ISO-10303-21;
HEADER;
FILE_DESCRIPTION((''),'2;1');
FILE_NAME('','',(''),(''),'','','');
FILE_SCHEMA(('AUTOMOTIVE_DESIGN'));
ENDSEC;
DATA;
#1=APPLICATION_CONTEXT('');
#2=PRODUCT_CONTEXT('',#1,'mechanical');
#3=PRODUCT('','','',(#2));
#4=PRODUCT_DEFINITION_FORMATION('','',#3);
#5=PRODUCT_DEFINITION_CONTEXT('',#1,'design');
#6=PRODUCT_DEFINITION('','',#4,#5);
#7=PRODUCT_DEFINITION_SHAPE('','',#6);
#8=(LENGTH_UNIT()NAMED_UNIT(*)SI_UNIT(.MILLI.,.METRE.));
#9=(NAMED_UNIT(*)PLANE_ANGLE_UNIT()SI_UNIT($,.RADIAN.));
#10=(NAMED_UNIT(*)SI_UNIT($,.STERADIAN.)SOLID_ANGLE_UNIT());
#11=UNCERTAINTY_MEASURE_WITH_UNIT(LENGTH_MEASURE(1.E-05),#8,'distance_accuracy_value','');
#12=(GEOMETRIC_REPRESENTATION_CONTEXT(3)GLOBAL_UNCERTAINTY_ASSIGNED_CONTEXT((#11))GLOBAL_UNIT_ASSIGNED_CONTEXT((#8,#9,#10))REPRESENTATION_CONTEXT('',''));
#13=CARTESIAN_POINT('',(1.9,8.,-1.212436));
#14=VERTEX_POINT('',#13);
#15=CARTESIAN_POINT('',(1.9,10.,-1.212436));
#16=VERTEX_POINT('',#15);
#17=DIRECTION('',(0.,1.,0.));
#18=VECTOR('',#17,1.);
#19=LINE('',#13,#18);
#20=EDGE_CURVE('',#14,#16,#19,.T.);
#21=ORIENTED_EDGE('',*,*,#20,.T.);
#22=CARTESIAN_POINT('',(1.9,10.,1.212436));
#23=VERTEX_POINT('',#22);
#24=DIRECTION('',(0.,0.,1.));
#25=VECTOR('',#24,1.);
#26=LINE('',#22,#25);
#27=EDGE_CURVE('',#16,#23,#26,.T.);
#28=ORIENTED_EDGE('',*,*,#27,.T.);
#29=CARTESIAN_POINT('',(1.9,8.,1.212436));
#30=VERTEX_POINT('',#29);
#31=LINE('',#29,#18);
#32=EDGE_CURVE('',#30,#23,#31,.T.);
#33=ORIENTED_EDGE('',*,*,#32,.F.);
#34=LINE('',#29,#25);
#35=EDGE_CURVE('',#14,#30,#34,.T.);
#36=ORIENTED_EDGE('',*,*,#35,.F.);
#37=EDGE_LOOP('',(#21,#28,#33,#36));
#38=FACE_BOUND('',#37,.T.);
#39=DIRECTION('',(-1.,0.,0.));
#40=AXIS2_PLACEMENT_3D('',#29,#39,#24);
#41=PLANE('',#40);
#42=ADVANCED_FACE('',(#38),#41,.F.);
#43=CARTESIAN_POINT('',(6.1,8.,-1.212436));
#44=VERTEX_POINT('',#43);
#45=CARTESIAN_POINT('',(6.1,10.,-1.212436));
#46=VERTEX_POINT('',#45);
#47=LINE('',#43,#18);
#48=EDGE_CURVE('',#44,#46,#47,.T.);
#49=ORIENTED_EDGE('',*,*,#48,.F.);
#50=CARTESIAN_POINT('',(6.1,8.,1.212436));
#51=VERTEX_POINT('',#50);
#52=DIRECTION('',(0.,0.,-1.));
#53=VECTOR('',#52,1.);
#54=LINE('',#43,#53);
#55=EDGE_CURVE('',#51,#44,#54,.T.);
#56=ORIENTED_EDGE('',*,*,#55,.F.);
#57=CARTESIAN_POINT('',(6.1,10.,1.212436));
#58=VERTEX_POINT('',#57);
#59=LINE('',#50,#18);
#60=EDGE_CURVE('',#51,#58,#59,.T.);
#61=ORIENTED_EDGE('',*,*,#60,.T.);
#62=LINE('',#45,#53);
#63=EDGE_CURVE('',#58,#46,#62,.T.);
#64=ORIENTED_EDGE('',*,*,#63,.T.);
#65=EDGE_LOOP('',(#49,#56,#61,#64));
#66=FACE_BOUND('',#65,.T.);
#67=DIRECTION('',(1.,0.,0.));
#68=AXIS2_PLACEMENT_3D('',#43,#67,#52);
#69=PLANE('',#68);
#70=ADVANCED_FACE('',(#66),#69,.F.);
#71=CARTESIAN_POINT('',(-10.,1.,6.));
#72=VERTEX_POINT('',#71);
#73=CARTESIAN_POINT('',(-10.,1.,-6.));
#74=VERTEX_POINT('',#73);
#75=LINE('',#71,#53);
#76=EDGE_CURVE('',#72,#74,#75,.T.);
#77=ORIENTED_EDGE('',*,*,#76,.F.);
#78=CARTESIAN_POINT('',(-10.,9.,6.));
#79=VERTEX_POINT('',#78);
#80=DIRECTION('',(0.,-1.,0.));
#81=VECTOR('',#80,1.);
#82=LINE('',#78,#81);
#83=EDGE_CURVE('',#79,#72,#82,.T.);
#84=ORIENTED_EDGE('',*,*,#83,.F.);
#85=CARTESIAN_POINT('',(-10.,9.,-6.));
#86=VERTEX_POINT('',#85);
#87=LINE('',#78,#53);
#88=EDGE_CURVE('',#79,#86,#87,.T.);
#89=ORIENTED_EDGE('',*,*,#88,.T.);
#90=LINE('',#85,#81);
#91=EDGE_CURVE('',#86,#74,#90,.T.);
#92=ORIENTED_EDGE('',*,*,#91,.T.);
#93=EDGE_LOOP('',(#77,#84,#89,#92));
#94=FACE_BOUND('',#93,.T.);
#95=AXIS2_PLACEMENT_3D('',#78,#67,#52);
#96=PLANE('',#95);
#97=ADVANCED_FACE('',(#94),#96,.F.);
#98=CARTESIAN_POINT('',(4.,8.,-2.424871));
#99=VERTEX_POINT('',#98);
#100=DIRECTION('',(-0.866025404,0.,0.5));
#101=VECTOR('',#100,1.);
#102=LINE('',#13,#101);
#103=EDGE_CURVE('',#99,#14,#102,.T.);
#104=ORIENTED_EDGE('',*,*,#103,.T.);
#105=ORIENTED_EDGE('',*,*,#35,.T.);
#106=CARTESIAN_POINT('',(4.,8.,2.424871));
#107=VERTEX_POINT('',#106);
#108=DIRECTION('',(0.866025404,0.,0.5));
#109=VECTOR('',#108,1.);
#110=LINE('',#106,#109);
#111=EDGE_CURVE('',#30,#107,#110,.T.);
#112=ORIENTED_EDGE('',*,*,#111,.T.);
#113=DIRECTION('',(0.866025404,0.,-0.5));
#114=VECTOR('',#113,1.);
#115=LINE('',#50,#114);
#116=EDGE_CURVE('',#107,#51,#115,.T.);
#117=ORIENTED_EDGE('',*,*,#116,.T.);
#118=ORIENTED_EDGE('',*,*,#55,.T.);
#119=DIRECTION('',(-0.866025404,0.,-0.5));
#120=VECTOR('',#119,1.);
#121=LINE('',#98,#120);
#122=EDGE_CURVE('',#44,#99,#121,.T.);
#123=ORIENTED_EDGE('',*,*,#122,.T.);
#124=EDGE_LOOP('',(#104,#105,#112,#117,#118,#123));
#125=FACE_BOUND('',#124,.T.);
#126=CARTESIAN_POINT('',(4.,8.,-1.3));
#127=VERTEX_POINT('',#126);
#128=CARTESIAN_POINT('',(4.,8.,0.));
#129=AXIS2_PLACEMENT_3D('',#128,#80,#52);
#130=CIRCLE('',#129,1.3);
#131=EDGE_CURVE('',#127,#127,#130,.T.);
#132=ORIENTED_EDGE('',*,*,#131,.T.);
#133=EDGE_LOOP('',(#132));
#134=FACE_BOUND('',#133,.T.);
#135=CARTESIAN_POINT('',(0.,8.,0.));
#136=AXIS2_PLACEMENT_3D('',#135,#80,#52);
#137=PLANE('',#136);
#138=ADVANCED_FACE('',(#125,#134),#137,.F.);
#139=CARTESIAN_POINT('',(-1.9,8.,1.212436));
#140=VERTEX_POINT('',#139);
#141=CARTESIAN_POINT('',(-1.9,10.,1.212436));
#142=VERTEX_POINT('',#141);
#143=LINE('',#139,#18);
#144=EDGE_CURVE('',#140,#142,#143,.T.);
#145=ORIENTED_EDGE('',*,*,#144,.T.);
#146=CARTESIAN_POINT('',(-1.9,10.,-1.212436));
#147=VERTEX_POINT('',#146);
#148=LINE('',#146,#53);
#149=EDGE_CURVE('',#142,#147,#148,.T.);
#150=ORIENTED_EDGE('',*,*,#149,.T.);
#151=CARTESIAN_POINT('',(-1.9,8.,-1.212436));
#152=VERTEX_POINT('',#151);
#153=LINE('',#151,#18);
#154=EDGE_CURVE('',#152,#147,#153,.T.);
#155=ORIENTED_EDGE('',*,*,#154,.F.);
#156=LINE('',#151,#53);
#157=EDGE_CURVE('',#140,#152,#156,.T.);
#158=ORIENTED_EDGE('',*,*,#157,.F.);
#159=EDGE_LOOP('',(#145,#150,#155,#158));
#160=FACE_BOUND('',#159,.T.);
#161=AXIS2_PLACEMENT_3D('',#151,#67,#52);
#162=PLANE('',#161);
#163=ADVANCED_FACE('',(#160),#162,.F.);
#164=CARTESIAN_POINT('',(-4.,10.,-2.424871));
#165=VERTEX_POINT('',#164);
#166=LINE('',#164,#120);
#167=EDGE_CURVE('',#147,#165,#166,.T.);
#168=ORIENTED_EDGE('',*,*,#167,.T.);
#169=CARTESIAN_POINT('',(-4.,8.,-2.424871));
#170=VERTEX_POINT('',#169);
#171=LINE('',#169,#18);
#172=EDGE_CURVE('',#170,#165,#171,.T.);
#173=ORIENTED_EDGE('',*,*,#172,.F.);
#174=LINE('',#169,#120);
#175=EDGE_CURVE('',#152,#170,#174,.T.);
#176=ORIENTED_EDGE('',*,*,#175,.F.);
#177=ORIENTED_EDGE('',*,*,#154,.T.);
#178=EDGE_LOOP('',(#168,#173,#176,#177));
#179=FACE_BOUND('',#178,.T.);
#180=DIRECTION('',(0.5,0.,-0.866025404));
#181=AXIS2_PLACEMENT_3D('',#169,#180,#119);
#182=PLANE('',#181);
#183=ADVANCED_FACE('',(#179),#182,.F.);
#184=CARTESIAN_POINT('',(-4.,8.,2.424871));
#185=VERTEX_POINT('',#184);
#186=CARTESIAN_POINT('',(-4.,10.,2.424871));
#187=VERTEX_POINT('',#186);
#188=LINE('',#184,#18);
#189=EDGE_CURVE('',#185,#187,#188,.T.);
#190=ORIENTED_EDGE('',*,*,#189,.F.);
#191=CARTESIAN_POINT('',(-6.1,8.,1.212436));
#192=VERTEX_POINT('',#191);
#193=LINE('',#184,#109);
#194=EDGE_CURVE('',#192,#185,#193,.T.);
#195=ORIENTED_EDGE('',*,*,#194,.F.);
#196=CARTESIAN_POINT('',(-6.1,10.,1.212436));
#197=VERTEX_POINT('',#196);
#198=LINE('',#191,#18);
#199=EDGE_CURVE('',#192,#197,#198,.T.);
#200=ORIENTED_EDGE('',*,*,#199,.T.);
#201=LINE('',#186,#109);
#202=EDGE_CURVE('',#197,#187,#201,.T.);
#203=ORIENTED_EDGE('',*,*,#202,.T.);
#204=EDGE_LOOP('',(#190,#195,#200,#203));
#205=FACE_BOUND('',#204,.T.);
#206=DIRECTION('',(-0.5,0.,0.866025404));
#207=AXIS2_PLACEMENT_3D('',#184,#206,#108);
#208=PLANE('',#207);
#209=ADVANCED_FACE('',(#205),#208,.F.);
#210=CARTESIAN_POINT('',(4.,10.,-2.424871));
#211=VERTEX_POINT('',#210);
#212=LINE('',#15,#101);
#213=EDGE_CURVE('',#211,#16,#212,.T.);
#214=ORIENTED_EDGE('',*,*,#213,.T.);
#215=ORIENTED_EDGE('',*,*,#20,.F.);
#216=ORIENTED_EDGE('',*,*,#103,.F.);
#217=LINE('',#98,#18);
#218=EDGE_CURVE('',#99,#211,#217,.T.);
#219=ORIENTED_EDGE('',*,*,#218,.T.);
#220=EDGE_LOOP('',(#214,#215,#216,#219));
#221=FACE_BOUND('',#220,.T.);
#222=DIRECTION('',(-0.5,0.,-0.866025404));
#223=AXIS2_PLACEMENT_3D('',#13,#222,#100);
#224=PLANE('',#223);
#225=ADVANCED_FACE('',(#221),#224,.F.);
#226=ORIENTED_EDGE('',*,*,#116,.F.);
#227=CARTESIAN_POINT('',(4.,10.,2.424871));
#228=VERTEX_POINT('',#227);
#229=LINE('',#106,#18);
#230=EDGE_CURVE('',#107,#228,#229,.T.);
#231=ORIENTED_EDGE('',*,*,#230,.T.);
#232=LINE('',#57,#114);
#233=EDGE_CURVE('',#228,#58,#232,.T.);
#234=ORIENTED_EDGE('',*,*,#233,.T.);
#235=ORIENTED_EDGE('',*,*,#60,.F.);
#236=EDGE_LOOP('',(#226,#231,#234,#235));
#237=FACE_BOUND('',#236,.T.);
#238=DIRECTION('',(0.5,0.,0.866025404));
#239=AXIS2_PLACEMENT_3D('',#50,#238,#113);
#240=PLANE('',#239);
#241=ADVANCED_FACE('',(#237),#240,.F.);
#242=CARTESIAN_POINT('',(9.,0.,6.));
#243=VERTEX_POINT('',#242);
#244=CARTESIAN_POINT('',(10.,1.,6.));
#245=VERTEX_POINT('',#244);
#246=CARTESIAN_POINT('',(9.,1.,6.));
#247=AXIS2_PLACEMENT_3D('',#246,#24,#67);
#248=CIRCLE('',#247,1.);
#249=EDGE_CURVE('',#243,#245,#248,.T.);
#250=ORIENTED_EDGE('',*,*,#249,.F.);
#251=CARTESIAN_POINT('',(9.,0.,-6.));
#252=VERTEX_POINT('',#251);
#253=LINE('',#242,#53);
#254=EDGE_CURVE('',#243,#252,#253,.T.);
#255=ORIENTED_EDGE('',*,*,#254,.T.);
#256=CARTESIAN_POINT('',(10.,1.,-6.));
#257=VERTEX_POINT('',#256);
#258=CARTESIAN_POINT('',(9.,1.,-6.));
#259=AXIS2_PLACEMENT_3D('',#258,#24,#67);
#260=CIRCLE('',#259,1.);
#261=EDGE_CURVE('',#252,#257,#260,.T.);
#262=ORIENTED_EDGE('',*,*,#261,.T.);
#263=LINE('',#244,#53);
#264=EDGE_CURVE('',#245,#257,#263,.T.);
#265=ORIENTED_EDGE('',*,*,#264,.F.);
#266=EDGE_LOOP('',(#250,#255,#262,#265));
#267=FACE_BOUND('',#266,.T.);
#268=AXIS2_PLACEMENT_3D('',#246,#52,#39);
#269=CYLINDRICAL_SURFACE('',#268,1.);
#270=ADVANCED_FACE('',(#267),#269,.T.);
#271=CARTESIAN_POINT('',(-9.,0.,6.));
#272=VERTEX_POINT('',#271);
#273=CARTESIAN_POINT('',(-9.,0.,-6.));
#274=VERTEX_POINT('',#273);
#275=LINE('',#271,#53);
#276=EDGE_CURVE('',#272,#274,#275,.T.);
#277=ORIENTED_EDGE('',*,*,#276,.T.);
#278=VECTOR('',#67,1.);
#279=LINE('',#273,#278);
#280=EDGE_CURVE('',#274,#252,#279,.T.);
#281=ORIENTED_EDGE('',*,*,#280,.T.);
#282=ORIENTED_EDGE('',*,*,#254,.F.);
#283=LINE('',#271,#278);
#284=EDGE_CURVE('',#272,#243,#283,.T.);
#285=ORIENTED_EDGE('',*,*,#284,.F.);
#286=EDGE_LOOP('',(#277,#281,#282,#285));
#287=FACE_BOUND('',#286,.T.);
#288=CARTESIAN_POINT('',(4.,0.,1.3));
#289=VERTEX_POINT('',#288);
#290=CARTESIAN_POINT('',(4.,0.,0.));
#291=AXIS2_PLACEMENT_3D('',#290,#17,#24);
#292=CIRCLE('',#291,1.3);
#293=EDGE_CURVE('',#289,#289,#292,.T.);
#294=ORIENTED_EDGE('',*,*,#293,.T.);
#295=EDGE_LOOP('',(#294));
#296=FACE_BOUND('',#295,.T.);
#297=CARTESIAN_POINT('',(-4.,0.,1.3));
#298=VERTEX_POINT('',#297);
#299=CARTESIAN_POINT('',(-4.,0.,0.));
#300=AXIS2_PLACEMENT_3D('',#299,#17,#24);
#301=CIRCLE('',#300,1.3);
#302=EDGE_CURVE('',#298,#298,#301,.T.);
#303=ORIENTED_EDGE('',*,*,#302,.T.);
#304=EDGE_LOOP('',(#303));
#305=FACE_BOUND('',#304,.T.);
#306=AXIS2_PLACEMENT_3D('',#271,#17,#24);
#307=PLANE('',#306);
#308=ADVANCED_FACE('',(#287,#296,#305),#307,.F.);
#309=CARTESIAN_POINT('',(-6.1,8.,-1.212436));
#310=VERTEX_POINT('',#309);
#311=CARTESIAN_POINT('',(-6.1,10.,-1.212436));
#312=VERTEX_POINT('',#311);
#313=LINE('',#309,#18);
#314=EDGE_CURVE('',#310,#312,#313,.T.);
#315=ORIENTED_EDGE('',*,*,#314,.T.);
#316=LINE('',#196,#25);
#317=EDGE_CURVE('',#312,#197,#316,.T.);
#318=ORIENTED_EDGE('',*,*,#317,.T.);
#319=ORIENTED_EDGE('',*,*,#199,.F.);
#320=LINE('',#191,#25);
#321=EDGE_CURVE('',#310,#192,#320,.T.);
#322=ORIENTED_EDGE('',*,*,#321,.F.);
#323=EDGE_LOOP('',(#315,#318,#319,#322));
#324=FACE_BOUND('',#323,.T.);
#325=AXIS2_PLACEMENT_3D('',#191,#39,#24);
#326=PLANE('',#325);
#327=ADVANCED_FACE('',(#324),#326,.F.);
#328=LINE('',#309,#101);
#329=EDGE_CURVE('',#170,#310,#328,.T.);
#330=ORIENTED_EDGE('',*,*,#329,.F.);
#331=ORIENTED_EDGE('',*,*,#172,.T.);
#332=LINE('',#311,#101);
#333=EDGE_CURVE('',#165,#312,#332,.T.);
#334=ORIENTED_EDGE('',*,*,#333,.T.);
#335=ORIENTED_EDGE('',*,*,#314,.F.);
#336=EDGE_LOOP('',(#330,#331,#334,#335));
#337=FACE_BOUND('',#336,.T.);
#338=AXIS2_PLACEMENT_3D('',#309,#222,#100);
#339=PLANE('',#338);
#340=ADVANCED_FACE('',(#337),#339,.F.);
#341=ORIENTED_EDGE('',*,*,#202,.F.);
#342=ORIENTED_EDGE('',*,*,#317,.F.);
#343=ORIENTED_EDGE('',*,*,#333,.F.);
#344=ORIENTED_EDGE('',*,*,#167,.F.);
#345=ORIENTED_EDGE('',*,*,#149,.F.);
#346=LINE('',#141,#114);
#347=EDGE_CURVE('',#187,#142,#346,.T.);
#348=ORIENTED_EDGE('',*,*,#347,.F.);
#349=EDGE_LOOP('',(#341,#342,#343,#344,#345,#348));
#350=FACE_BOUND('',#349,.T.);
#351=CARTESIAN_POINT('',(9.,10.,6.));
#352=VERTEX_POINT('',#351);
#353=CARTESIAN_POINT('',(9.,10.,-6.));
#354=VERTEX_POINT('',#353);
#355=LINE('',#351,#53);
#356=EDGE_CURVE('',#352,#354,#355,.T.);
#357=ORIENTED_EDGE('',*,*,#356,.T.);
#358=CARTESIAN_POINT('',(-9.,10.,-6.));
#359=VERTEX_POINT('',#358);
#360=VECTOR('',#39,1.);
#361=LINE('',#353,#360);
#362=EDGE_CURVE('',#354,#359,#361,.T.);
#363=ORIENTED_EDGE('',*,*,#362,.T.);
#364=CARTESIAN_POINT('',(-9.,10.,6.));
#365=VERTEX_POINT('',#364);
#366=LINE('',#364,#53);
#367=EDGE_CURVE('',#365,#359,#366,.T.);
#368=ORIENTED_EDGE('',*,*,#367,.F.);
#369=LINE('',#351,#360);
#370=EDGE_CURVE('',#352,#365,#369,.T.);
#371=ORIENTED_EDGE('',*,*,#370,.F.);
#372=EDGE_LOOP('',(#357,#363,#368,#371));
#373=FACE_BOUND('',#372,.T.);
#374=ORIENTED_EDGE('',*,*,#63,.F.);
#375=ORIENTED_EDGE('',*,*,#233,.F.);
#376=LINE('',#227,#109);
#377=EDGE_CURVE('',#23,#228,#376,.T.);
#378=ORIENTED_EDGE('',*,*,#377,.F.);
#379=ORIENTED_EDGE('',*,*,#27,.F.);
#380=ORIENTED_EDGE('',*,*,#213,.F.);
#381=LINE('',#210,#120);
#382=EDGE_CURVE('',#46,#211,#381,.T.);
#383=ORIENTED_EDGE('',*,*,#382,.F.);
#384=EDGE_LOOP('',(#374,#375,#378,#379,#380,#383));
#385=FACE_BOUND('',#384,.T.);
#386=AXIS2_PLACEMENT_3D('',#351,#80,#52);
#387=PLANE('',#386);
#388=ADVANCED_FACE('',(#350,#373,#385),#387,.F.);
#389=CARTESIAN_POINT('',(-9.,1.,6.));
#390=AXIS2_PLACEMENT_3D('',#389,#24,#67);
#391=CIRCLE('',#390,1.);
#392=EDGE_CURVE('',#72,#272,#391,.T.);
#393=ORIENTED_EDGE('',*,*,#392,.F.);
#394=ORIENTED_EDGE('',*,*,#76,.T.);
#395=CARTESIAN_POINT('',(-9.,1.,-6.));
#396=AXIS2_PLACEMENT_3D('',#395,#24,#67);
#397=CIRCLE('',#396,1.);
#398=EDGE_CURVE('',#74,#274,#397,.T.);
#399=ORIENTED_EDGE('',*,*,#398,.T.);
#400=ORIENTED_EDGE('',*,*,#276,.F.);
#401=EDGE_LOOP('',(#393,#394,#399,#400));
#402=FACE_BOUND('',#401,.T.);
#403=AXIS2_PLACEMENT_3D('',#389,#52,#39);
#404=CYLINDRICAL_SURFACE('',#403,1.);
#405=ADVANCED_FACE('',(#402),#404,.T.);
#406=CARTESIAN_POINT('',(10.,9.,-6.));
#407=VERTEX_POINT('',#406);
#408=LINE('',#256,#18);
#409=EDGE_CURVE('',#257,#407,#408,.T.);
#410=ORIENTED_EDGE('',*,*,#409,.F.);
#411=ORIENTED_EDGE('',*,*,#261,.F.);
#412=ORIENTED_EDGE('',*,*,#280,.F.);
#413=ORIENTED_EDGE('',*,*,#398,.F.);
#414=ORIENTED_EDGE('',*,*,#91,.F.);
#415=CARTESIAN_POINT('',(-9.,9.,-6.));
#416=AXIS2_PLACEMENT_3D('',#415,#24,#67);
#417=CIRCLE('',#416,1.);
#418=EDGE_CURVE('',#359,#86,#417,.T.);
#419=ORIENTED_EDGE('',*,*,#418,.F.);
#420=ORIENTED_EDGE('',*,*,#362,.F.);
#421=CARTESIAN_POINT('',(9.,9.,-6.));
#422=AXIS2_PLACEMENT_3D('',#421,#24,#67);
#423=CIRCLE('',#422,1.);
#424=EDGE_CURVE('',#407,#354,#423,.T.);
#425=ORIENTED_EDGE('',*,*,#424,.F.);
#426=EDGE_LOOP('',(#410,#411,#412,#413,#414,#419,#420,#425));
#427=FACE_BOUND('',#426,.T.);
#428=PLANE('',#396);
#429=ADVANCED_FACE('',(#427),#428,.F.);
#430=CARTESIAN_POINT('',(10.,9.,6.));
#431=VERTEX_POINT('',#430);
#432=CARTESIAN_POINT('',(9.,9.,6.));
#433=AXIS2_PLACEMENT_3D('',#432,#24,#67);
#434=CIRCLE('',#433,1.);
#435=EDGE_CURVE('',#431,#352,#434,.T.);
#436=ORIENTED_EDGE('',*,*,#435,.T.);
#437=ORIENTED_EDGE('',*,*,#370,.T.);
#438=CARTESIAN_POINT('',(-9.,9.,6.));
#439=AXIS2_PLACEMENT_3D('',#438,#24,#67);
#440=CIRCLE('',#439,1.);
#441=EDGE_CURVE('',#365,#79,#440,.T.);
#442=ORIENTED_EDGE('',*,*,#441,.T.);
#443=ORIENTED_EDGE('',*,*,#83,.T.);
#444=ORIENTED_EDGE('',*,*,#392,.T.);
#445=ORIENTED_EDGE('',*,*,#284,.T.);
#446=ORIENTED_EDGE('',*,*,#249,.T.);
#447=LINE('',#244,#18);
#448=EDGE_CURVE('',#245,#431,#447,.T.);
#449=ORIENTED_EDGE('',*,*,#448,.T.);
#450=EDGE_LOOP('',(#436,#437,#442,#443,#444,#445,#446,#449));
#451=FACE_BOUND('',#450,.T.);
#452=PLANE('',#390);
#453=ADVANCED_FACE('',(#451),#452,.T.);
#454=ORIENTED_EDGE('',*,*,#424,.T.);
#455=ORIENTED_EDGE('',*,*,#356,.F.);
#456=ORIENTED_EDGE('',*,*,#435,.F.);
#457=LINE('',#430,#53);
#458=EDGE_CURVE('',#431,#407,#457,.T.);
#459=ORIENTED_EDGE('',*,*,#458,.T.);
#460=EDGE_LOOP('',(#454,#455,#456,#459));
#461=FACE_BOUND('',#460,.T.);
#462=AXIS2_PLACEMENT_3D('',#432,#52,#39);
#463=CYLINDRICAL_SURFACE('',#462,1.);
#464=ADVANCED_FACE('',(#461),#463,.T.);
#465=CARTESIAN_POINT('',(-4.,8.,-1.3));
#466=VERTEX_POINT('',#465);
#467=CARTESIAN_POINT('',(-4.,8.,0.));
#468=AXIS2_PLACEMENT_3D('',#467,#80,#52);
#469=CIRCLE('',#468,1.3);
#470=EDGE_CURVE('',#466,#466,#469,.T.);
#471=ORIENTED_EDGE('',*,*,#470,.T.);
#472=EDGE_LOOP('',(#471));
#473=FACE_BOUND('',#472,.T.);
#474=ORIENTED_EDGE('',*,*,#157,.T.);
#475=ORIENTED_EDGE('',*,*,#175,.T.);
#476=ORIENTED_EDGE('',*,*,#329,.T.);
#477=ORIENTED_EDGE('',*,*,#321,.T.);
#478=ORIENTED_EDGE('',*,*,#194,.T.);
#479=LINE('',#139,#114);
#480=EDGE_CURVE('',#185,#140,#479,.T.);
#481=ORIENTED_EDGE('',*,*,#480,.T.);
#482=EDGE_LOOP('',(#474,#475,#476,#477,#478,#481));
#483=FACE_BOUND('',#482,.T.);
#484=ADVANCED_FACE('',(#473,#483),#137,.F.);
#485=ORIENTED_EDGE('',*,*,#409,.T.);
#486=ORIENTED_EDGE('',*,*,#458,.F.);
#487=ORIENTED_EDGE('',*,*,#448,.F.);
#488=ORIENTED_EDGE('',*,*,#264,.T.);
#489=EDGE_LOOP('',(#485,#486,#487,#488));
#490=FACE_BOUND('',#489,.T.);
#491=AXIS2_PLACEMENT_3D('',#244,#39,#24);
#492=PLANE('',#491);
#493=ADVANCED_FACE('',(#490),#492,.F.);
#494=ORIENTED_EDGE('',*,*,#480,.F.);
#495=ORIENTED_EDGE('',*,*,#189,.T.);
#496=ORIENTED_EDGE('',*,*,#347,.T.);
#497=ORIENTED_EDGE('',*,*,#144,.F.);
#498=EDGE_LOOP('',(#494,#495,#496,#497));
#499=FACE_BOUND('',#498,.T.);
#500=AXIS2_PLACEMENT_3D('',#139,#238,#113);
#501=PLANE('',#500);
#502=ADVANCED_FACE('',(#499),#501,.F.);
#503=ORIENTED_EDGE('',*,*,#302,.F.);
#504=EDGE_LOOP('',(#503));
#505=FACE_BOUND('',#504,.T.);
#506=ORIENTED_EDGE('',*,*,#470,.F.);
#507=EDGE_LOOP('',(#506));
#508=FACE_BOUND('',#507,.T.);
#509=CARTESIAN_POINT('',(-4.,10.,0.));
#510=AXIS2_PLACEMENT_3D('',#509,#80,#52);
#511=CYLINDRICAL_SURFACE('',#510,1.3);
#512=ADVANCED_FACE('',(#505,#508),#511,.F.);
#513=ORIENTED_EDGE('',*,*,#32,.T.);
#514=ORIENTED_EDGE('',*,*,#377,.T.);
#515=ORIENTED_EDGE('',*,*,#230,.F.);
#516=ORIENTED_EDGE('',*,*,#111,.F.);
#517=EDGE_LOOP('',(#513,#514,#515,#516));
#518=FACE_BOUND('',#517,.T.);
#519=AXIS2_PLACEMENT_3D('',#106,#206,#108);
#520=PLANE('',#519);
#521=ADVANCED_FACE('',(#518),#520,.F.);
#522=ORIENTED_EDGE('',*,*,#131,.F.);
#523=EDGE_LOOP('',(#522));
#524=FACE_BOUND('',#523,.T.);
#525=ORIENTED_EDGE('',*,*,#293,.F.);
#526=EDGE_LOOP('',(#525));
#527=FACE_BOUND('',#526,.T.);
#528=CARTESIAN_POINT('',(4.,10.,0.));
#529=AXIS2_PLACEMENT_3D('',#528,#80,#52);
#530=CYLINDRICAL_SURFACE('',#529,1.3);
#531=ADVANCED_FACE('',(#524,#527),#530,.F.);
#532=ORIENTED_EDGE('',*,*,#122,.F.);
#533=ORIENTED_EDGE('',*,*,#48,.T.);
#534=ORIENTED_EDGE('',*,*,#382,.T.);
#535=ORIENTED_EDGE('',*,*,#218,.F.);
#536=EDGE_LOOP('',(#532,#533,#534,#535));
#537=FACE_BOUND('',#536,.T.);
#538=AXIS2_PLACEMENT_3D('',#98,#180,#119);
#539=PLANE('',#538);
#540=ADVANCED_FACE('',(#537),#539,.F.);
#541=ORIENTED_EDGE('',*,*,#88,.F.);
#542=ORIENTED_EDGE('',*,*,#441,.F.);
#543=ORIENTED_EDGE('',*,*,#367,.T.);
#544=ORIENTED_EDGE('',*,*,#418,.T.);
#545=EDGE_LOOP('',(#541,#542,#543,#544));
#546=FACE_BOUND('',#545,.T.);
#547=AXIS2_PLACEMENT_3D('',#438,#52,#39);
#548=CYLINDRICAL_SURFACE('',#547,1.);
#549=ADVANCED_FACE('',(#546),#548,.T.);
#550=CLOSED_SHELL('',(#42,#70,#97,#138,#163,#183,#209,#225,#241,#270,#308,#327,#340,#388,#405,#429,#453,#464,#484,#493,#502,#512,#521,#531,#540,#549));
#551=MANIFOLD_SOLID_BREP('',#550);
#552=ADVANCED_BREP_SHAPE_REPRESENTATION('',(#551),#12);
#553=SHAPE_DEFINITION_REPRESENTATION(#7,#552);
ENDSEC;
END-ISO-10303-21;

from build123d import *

# Parameters (mm, degrees)
BOSS_EXTRUDE1_DEPTH = 6
SKETCH2_R           = 1.3
CUT_EXTRUDE1_DEPTH  = 10
CUT_EXTRUDE2_DEPTH  = 2


with BuildPart() as part:
    # Sketch1 → Boss-Extrude1 (new, symmetric)
    with BuildSketch(Plane.XY):
        with BuildLine():
            Line((-9, 0), (9, 0))
            ThreePointArc((9, 0), (9.707106781, 0.292893219), (10, 1))
            Line((10, 1), (10, 9))
            ThreePointArc((10, 9), (9.707106781, 9.707106781), (9, 10))
            Line((9, 10), (-9, 10))
            ThreePointArc((-9, 10), (-9.707106781, 9.707106781), (-10, 9))
            Line((-10, 9), (-10, 1))
            ThreePointArc((-10, 1), (-9.707106781, 0.292893219), (-9, 0))
        make_face()
    extrude(amount=BOSS_EXTRUDE1_DEPTH, both=True)

    # Sketch2 → Cut-Extrude1 (cut)
    with BuildSketch(Plane(origin=(0, 0, 0), x_dir=(1, 0, 0), z_dir=(0, 1, 0))):
        with Locations(Location((4, 0, 0), (0, 0, 270))):
            Circle(SKETCH2_R)
        with Locations(Location((-4, 0, 0), (0, 0, 270))):
            Circle(SKETCH2_R)
    extrude(amount=CUT_EXTRUDE1_DEPTH, mode=Mode.SUBTRACT)

    # Sketch3 → Cut-Extrude2 (cut)
    with BuildSketch(Plane(origin=(0, 10, 0), x_dir=(1, 0, 0), z_dir=(0, 1, 0))):
        Polygon((6.1, -1.212435565), (4, -2.424871131), (1.9, -1.212435565), (1.9, 1.212435565), (4, 2.424871131), (6.1, 1.212435565), align=None)
        Polygon((-1.9, -1.212435565), (-4, -2.424871131), (-6.1, -1.212435565), (-6.1, 1.212435565), (-4, 2.424871131), (-1.9, 1.212435565), align=None)
    extrude(amount=-CUT_EXTRUDE2_DEPTH, mode=Mode.SUBTRACT)


solid = part.part
